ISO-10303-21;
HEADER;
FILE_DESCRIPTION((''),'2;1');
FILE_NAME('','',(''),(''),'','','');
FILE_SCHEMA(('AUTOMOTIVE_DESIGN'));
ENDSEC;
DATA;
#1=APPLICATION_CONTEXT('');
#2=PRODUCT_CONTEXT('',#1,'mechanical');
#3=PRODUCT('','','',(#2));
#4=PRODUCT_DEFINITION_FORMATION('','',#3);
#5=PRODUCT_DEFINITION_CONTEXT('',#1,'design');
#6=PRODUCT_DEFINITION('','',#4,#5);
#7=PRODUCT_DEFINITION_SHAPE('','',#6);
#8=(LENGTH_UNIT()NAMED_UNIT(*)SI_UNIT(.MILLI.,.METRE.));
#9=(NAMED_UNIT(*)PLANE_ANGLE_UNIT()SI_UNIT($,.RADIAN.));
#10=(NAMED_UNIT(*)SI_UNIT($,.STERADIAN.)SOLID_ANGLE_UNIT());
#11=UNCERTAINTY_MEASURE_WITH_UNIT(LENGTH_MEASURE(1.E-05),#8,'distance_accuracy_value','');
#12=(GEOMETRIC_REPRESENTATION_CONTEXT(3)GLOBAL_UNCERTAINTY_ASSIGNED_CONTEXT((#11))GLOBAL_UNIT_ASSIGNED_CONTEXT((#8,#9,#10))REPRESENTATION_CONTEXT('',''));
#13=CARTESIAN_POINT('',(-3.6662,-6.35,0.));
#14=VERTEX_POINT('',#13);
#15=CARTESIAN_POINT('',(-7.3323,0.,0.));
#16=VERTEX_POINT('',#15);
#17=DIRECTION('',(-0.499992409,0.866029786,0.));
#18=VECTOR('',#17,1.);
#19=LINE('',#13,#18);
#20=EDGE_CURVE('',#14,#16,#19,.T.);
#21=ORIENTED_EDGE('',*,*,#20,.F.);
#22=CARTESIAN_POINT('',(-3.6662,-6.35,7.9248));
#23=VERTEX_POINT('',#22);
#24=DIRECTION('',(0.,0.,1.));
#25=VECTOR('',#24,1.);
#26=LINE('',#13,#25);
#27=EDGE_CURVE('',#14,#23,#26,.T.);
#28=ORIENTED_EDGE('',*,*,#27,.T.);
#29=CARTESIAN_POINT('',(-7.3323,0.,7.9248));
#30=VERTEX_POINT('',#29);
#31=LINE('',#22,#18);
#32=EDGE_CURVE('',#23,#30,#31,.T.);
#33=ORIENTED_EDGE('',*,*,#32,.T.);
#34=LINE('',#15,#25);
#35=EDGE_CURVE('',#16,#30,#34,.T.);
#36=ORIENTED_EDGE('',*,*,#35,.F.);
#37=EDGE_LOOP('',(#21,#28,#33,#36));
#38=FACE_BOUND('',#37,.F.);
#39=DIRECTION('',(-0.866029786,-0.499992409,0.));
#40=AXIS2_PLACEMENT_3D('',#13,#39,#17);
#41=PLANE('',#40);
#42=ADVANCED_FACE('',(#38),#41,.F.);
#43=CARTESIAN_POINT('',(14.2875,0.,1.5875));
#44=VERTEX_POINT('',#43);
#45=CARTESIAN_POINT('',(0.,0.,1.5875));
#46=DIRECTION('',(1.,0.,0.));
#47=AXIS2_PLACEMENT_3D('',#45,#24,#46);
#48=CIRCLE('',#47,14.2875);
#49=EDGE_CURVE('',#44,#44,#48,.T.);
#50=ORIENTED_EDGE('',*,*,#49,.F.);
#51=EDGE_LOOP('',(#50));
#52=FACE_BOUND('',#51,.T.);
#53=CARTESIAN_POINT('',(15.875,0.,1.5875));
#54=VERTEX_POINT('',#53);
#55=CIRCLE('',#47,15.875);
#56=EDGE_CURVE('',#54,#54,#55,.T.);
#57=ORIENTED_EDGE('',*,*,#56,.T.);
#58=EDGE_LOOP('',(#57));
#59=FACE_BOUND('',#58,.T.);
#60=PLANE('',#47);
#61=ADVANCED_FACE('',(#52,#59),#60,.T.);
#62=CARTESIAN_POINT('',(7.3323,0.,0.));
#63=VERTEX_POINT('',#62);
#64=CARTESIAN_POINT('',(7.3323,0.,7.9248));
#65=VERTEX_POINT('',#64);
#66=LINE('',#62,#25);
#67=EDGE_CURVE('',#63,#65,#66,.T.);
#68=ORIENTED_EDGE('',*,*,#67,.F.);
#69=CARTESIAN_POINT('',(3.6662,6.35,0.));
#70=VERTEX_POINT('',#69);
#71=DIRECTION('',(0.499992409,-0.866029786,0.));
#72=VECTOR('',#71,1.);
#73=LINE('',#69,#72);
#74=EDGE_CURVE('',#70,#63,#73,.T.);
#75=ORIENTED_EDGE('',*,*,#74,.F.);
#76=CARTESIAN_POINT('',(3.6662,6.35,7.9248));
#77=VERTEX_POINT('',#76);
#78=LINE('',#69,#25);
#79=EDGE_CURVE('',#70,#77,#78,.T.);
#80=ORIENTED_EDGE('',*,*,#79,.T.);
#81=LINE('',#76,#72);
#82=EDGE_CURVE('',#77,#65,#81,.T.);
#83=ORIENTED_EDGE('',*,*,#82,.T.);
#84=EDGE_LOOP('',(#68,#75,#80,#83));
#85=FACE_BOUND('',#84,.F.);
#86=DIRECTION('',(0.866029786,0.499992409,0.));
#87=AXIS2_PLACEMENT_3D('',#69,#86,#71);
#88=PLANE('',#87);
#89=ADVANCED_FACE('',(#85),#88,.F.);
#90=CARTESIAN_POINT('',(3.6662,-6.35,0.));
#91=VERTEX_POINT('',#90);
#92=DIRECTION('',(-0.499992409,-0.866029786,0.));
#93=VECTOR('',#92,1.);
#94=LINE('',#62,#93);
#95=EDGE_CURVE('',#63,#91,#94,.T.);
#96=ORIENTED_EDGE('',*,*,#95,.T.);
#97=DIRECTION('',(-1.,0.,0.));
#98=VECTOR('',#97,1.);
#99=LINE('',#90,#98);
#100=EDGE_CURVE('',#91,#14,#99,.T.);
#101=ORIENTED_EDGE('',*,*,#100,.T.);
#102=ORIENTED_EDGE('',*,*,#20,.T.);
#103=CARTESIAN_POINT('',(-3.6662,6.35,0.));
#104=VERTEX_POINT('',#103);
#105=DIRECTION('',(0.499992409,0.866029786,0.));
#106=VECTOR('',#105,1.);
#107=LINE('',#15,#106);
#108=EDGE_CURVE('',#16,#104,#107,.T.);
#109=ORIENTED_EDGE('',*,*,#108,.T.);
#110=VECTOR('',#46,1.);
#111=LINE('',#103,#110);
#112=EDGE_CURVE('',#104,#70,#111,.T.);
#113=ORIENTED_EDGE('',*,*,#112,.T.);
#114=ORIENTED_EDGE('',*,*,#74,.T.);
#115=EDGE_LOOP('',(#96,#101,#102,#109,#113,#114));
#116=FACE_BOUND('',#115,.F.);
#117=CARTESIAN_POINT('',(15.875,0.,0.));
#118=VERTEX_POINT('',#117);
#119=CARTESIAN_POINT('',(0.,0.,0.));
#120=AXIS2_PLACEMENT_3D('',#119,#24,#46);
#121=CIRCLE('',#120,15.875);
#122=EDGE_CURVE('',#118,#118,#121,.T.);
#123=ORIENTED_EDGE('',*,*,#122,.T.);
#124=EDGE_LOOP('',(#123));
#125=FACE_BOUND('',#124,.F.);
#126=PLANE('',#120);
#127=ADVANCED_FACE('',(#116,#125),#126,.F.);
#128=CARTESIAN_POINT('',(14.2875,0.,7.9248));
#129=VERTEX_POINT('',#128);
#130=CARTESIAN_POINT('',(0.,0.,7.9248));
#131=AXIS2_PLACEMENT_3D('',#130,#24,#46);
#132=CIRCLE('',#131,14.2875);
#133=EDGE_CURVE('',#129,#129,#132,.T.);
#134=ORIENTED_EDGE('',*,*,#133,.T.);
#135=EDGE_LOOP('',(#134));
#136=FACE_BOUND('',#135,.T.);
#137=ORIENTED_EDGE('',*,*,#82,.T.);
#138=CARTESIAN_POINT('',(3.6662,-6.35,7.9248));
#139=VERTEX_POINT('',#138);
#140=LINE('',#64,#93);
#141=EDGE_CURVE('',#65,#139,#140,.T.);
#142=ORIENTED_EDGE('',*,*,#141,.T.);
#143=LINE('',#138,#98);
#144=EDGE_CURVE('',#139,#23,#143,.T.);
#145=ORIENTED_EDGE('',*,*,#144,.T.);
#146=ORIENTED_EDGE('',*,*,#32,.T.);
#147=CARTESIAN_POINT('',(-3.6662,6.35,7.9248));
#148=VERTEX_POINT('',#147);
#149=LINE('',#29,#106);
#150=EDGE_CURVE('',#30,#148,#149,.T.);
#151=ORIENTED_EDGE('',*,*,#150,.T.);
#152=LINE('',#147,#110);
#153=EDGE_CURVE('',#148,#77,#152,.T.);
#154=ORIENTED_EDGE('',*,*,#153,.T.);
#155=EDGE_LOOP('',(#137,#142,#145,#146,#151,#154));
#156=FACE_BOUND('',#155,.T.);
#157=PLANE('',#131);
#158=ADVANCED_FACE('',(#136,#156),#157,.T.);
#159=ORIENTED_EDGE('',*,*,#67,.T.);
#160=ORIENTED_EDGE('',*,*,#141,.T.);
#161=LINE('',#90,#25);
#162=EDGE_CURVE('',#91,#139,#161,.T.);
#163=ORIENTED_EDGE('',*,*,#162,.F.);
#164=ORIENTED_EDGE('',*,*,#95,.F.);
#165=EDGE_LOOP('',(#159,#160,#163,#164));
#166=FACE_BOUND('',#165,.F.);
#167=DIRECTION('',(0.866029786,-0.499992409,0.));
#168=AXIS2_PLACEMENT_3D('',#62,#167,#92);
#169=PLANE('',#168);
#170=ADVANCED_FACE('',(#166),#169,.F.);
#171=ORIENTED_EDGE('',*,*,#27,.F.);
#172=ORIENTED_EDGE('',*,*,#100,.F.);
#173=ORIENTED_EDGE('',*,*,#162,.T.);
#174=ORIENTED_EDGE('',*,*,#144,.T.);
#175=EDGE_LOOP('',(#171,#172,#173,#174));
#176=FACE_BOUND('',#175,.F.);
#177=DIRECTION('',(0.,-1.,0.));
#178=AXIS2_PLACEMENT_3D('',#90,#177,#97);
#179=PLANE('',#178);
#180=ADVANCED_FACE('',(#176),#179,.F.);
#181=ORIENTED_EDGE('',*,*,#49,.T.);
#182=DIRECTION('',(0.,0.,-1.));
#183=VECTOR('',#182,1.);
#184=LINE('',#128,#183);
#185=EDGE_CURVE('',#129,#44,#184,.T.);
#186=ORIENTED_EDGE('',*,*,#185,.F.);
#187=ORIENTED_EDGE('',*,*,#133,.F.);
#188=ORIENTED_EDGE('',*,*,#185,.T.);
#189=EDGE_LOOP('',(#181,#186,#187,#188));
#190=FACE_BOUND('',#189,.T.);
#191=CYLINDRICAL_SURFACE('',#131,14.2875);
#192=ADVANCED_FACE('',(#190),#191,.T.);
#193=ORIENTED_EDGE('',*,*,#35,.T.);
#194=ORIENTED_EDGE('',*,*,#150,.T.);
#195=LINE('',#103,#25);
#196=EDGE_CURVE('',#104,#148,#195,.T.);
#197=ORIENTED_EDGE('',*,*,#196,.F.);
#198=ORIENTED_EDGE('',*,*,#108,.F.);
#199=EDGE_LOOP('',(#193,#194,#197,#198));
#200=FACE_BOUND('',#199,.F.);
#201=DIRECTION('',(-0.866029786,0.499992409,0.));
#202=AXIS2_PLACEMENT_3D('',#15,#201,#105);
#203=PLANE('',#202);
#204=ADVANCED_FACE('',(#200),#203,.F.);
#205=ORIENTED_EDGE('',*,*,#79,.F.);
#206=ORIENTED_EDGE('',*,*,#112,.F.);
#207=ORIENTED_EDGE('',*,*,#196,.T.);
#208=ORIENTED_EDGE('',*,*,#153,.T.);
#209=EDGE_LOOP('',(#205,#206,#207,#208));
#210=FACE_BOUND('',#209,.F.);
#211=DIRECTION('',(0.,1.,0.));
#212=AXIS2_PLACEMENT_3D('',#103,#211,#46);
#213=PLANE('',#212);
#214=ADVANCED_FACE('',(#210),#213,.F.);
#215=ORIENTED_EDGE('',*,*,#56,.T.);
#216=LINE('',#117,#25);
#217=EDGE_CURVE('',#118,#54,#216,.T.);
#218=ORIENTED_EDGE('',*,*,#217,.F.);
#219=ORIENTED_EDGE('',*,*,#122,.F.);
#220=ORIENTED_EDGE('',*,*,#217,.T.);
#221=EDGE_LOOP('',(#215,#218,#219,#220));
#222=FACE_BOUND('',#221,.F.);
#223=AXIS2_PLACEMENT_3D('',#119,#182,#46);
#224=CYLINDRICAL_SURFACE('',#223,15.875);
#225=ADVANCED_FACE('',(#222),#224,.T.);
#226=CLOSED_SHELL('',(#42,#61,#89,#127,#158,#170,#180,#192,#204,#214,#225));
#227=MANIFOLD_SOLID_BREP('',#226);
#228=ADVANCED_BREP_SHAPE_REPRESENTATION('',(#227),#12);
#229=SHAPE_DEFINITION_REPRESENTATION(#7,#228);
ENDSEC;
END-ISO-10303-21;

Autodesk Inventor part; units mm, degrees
ref_plane "YZ Plane" through (0, 0, 0) normal (1, 0, 0) x (0, 1, 0)
ref_plane "XZ Plane" through (0, 0, 0) normal (0, 1, 0) x (-1, 0, 0)
ref_plane "XY Plane" through (0, 0, 0) normal (0, 0, 1) x (1, 0, 0)
sketch "Sketch1" plane through (0, 0, 0) normal (0, 0, 1) x (1, 0, 0)
  circle A0 centre (0, 0) radius 15.875
  line L0 (3.6662, 6.35) -> (7.3323, 0)
  line L1 (7.3323, 0) -> (3.6662, -6.35)
  line L2 (3.6662, -6.35) -> (-3.6662, -6.35)
  line L3 (-3.6662, -6.35) -> (-7.3323, 0)
  line L4 (-7.3323, 0) -> (-3.6662, 6.35)
  line L5 (-3.6662, 6.35) -> (3.6662, 6.35)
  dimension "d0" = 31.75
  dimension "d1" = 12.7
extrude "Extrusion1" add sketch "Sketch1" along normal blind 7.9248
sketch "Sketch2" plane through (0, 0, 7.9248) normal (0, 0, 1) x (1, 0, 0)
  circle A0 centre (0, 0) radius 15.875 projected
  circle A1 centre (0, 0) radius 15.875
  circle A2 centre (0, 0) radius 14.2875
  dimension "d4" = 1.5875
extrude "Extrusion2" cut sketch "Sketch2" against normal blind 6.3373
properties part number "500id_1.125od_hex_flange_bearing" material "Stainless Steel, 440C"
